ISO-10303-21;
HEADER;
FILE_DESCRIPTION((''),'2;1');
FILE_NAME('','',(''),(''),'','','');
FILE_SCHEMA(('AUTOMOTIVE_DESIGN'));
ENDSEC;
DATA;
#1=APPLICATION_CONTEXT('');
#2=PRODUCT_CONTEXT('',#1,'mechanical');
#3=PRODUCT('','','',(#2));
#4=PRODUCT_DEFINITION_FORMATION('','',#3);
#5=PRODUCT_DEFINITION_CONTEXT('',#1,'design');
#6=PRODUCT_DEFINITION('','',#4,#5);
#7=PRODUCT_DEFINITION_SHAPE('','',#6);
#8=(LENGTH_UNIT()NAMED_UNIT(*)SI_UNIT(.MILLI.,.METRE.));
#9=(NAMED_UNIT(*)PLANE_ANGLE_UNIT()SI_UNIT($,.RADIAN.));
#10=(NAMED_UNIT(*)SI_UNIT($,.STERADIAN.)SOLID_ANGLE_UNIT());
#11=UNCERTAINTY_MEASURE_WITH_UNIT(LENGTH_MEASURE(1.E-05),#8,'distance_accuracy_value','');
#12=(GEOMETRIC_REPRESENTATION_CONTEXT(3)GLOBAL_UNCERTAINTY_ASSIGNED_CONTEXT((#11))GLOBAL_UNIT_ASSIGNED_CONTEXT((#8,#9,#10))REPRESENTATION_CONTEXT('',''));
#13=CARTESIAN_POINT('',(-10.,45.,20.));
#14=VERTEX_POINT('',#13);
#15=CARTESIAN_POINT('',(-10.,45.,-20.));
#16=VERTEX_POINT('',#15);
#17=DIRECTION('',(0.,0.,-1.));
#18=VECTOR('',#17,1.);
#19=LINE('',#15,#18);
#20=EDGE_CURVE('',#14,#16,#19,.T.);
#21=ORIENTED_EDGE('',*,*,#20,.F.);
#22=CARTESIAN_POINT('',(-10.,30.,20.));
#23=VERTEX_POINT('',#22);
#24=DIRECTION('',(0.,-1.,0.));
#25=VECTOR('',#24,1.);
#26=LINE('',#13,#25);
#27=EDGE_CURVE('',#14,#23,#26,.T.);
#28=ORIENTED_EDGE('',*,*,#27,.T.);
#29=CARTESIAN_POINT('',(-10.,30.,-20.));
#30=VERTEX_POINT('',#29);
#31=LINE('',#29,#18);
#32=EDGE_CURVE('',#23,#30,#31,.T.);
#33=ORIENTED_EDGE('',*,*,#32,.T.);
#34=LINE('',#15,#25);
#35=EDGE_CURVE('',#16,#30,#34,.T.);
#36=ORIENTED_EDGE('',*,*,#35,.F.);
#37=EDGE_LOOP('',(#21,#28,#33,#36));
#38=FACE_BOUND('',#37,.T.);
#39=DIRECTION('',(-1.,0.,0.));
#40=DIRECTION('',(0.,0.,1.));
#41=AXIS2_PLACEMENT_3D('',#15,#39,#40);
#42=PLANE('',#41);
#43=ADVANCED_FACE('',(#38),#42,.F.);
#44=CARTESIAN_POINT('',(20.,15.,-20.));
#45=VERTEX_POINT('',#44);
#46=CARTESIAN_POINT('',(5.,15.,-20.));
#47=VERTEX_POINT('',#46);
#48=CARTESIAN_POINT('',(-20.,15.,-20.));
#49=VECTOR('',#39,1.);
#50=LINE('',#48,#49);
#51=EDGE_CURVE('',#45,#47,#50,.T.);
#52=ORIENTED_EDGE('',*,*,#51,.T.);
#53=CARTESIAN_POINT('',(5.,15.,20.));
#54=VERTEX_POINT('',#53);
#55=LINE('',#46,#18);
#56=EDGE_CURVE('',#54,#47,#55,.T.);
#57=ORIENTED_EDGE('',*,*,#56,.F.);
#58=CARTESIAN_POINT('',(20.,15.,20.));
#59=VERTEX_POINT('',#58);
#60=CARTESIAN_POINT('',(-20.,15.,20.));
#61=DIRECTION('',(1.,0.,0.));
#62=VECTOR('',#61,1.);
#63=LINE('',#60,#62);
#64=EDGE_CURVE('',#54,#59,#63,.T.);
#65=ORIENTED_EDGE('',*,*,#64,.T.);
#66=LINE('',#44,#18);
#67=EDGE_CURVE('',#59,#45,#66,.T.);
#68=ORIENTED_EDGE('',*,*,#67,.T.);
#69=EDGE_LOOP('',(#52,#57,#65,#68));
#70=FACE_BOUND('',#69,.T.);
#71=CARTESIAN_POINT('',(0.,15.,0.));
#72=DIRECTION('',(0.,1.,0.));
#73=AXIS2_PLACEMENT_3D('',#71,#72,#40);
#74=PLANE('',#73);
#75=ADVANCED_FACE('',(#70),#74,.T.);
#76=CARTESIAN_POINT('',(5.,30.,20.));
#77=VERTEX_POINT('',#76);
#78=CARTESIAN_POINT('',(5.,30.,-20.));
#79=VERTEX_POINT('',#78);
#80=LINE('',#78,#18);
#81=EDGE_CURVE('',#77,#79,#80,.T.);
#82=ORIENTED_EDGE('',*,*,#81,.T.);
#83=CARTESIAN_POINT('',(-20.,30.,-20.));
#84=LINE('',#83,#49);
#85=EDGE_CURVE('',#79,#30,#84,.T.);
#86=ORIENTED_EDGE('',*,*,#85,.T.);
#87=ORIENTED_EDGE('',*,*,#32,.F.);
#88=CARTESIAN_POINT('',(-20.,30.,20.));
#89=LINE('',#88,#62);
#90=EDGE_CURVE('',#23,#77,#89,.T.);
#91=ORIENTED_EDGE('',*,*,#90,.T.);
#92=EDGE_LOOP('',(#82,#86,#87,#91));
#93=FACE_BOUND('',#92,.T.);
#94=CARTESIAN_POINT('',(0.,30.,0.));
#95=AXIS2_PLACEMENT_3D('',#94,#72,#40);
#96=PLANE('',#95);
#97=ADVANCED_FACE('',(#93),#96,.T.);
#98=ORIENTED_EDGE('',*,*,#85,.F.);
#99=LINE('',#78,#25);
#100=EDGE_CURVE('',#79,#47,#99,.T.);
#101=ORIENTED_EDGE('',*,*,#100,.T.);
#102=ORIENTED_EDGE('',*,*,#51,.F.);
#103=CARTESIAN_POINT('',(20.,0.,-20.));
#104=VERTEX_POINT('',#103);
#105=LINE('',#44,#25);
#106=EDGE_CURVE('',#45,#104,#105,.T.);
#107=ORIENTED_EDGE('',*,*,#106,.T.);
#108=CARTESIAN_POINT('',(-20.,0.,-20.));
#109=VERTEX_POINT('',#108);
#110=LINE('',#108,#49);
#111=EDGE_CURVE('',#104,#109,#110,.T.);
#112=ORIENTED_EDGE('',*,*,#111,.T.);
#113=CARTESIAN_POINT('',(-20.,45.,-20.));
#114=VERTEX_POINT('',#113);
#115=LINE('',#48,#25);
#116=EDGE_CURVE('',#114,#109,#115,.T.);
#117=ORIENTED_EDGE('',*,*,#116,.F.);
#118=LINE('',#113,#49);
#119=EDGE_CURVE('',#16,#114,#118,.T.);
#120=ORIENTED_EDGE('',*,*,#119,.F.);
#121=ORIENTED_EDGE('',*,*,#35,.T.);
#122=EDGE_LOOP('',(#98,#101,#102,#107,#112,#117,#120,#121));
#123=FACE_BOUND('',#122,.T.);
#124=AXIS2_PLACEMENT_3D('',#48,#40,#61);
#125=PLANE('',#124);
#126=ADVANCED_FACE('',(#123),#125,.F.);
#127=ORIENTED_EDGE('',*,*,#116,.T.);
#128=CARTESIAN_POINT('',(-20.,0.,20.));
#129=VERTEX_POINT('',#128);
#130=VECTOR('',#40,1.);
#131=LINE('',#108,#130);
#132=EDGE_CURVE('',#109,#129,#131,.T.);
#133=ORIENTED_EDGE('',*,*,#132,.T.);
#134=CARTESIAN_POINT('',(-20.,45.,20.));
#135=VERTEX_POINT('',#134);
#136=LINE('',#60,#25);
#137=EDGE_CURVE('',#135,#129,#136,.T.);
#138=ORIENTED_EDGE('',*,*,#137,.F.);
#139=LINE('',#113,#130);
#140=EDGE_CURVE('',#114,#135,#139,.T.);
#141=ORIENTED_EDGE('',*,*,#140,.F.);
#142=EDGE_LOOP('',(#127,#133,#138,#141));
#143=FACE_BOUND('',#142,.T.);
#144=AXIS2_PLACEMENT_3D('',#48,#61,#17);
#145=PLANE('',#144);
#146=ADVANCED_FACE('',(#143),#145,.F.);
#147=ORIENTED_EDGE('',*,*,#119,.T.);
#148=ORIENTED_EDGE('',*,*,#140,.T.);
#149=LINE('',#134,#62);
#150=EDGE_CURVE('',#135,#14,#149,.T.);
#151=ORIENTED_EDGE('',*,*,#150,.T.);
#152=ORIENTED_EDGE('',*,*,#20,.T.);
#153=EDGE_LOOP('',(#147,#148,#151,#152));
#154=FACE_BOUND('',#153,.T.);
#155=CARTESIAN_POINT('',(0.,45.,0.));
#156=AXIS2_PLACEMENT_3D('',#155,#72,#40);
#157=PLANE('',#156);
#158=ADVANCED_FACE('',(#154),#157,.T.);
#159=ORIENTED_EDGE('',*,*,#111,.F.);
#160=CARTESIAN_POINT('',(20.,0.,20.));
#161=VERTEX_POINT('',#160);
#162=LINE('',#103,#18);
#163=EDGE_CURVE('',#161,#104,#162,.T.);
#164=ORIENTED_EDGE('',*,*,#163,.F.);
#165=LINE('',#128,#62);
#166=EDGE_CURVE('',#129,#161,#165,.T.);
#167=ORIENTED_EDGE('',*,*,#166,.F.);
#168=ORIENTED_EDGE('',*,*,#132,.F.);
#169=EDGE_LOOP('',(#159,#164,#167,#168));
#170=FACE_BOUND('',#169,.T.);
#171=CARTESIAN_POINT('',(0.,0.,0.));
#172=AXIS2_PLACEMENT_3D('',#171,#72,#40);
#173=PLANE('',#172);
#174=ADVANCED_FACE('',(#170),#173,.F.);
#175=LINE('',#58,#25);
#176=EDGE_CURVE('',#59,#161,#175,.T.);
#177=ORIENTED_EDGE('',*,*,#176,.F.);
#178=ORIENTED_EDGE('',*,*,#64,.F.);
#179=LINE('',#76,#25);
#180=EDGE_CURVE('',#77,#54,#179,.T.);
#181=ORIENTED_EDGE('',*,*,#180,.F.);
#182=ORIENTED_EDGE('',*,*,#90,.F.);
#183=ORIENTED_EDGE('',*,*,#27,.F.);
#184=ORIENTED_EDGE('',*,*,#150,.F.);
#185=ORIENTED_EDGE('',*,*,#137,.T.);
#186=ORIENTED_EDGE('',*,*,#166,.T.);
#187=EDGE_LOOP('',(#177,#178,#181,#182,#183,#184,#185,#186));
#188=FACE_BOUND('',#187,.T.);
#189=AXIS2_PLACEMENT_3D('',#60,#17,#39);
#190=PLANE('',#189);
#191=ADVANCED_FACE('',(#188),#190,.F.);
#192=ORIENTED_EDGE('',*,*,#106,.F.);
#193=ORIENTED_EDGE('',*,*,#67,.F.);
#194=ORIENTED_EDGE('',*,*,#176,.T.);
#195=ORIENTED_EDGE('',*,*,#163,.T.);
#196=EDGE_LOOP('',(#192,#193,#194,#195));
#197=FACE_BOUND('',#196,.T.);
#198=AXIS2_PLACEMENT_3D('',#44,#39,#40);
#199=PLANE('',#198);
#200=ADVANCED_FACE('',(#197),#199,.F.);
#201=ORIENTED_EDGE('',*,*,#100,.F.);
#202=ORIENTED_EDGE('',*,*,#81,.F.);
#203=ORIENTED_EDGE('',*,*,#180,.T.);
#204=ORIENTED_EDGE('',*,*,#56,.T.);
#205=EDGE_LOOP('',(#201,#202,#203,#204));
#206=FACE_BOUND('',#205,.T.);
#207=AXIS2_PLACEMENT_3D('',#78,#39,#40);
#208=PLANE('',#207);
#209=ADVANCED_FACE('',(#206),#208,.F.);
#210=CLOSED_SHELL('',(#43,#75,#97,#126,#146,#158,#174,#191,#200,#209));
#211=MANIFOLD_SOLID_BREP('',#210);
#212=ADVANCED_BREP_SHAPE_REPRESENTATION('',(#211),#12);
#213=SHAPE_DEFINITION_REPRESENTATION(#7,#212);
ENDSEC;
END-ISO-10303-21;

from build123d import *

# Parameters (mm, degrees)
SKETCH_1_W      = 40
SKETCH_1_H      = 40
EXTRUDE_1_DEPTH = 15
SKETCH_2_W      = 25
SKETCH_2_H      = 40
EXTRUDE_2_DEPTH = 15
SKETCH_3_W      = 10
SKETCH_3_H      = 40
EXTRUDE_3_DEPTH = 15


with BuildPart() as part:
    # 草圖1 → 填料-伸長1 (new body)
    with BuildSketch(Plane(origin=(0, 0, 0), x_dir=(1, 0, 0), z_dir=(0, 1, 0))):
        Rectangle(SKETCH_1_W, SKETCH_1_H)
    extrude(amount=EXTRUDE_1_DEPTH)

    # 草圖2 → 填料-伸長2 (add)
    with BuildSketch(Plane(origin=(0, 15, 0), x_dir=(1, 0, 0), z_dir=(0, 1, 0))):
        with Locations((-7.5, 0)):
            Rectangle(SKETCH_2_W, SKETCH_2_H)
    extrude(amount=EXTRUDE_2_DEPTH)

    # 草圖3 → 填料-伸長3 (add)
    with BuildSketch(Plane(origin=(0, 30, 0), x_dir=(1, 0, 0), z_dir=(0, 1, 0))):
        with Locations((-15, 0)):
            Rectangle(SKETCH_3_W, SKETCH_3_H)
    extrude(amount=EXTRUDE_3_DEPTH)


solid = part.part
